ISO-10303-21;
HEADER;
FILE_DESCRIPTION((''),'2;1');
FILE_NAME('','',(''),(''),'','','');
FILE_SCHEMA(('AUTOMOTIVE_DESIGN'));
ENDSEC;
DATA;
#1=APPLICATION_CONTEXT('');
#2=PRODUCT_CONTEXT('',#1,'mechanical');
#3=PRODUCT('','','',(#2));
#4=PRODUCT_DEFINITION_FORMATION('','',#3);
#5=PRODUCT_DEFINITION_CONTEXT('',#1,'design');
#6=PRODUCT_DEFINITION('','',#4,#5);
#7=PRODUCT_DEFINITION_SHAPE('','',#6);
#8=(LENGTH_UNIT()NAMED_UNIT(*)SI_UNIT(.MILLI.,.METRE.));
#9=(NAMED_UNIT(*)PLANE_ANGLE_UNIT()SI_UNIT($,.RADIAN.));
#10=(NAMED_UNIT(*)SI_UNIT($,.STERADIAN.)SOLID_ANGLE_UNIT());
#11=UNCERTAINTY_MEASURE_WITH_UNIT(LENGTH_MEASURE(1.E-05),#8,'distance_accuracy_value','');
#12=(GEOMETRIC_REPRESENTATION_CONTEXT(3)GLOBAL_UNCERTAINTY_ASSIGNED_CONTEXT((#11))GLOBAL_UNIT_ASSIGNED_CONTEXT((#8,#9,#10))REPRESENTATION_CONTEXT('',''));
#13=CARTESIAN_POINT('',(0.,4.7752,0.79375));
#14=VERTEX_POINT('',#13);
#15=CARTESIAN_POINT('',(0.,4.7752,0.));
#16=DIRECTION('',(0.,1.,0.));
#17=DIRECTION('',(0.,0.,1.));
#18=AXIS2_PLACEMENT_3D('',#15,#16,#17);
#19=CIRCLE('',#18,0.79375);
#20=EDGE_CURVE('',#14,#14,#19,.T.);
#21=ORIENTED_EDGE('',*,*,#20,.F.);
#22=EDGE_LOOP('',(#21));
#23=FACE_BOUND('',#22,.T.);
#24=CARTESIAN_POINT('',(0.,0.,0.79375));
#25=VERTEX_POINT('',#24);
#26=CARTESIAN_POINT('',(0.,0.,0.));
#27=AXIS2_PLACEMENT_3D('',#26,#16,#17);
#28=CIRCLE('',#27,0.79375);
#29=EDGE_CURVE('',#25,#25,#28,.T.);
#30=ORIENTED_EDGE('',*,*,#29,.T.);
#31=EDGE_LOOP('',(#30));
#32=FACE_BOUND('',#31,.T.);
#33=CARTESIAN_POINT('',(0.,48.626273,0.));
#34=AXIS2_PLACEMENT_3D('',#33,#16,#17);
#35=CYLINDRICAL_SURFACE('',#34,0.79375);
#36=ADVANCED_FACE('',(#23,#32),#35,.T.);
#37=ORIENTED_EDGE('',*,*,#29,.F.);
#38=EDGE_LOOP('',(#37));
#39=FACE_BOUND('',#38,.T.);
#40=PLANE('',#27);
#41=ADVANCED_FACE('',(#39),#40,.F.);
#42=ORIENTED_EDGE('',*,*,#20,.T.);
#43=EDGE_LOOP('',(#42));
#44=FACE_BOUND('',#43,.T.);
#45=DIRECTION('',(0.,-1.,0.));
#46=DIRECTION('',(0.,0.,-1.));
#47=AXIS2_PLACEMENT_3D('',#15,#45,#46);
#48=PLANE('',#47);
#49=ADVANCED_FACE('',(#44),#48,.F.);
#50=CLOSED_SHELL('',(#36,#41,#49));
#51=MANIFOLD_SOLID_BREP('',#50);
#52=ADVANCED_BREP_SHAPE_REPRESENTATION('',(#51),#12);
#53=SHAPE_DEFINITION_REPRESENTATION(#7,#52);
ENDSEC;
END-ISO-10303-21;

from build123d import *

# Parameters (mm, degrees)
SKETCH1_W = 0.79375
SKETCH1_H = 4.7752


with BuildPart() as part:
    # Sketch1 → Revolve1 (revolve)
    with BuildSketch(Plane(origin=(0, 0, 0), x_dir=(0, 0, -1), z_dir=(1, 0, 0)), mode=Mode.PRIVATE) as revolve1_sk:
        with Locations((0.396875, 2.3876)):
            Rectangle(SKETCH1_W, SKETCH1_H)
    revolve(revolve1_sk.sketch.rotate(Axis((0, 48.626272796, 0), (0, -1, 0)), 180), axis=Axis((0, 48.626272796, 0), (0, -1, 0)))  # turned: the seam where the file's is


solid = part.part
